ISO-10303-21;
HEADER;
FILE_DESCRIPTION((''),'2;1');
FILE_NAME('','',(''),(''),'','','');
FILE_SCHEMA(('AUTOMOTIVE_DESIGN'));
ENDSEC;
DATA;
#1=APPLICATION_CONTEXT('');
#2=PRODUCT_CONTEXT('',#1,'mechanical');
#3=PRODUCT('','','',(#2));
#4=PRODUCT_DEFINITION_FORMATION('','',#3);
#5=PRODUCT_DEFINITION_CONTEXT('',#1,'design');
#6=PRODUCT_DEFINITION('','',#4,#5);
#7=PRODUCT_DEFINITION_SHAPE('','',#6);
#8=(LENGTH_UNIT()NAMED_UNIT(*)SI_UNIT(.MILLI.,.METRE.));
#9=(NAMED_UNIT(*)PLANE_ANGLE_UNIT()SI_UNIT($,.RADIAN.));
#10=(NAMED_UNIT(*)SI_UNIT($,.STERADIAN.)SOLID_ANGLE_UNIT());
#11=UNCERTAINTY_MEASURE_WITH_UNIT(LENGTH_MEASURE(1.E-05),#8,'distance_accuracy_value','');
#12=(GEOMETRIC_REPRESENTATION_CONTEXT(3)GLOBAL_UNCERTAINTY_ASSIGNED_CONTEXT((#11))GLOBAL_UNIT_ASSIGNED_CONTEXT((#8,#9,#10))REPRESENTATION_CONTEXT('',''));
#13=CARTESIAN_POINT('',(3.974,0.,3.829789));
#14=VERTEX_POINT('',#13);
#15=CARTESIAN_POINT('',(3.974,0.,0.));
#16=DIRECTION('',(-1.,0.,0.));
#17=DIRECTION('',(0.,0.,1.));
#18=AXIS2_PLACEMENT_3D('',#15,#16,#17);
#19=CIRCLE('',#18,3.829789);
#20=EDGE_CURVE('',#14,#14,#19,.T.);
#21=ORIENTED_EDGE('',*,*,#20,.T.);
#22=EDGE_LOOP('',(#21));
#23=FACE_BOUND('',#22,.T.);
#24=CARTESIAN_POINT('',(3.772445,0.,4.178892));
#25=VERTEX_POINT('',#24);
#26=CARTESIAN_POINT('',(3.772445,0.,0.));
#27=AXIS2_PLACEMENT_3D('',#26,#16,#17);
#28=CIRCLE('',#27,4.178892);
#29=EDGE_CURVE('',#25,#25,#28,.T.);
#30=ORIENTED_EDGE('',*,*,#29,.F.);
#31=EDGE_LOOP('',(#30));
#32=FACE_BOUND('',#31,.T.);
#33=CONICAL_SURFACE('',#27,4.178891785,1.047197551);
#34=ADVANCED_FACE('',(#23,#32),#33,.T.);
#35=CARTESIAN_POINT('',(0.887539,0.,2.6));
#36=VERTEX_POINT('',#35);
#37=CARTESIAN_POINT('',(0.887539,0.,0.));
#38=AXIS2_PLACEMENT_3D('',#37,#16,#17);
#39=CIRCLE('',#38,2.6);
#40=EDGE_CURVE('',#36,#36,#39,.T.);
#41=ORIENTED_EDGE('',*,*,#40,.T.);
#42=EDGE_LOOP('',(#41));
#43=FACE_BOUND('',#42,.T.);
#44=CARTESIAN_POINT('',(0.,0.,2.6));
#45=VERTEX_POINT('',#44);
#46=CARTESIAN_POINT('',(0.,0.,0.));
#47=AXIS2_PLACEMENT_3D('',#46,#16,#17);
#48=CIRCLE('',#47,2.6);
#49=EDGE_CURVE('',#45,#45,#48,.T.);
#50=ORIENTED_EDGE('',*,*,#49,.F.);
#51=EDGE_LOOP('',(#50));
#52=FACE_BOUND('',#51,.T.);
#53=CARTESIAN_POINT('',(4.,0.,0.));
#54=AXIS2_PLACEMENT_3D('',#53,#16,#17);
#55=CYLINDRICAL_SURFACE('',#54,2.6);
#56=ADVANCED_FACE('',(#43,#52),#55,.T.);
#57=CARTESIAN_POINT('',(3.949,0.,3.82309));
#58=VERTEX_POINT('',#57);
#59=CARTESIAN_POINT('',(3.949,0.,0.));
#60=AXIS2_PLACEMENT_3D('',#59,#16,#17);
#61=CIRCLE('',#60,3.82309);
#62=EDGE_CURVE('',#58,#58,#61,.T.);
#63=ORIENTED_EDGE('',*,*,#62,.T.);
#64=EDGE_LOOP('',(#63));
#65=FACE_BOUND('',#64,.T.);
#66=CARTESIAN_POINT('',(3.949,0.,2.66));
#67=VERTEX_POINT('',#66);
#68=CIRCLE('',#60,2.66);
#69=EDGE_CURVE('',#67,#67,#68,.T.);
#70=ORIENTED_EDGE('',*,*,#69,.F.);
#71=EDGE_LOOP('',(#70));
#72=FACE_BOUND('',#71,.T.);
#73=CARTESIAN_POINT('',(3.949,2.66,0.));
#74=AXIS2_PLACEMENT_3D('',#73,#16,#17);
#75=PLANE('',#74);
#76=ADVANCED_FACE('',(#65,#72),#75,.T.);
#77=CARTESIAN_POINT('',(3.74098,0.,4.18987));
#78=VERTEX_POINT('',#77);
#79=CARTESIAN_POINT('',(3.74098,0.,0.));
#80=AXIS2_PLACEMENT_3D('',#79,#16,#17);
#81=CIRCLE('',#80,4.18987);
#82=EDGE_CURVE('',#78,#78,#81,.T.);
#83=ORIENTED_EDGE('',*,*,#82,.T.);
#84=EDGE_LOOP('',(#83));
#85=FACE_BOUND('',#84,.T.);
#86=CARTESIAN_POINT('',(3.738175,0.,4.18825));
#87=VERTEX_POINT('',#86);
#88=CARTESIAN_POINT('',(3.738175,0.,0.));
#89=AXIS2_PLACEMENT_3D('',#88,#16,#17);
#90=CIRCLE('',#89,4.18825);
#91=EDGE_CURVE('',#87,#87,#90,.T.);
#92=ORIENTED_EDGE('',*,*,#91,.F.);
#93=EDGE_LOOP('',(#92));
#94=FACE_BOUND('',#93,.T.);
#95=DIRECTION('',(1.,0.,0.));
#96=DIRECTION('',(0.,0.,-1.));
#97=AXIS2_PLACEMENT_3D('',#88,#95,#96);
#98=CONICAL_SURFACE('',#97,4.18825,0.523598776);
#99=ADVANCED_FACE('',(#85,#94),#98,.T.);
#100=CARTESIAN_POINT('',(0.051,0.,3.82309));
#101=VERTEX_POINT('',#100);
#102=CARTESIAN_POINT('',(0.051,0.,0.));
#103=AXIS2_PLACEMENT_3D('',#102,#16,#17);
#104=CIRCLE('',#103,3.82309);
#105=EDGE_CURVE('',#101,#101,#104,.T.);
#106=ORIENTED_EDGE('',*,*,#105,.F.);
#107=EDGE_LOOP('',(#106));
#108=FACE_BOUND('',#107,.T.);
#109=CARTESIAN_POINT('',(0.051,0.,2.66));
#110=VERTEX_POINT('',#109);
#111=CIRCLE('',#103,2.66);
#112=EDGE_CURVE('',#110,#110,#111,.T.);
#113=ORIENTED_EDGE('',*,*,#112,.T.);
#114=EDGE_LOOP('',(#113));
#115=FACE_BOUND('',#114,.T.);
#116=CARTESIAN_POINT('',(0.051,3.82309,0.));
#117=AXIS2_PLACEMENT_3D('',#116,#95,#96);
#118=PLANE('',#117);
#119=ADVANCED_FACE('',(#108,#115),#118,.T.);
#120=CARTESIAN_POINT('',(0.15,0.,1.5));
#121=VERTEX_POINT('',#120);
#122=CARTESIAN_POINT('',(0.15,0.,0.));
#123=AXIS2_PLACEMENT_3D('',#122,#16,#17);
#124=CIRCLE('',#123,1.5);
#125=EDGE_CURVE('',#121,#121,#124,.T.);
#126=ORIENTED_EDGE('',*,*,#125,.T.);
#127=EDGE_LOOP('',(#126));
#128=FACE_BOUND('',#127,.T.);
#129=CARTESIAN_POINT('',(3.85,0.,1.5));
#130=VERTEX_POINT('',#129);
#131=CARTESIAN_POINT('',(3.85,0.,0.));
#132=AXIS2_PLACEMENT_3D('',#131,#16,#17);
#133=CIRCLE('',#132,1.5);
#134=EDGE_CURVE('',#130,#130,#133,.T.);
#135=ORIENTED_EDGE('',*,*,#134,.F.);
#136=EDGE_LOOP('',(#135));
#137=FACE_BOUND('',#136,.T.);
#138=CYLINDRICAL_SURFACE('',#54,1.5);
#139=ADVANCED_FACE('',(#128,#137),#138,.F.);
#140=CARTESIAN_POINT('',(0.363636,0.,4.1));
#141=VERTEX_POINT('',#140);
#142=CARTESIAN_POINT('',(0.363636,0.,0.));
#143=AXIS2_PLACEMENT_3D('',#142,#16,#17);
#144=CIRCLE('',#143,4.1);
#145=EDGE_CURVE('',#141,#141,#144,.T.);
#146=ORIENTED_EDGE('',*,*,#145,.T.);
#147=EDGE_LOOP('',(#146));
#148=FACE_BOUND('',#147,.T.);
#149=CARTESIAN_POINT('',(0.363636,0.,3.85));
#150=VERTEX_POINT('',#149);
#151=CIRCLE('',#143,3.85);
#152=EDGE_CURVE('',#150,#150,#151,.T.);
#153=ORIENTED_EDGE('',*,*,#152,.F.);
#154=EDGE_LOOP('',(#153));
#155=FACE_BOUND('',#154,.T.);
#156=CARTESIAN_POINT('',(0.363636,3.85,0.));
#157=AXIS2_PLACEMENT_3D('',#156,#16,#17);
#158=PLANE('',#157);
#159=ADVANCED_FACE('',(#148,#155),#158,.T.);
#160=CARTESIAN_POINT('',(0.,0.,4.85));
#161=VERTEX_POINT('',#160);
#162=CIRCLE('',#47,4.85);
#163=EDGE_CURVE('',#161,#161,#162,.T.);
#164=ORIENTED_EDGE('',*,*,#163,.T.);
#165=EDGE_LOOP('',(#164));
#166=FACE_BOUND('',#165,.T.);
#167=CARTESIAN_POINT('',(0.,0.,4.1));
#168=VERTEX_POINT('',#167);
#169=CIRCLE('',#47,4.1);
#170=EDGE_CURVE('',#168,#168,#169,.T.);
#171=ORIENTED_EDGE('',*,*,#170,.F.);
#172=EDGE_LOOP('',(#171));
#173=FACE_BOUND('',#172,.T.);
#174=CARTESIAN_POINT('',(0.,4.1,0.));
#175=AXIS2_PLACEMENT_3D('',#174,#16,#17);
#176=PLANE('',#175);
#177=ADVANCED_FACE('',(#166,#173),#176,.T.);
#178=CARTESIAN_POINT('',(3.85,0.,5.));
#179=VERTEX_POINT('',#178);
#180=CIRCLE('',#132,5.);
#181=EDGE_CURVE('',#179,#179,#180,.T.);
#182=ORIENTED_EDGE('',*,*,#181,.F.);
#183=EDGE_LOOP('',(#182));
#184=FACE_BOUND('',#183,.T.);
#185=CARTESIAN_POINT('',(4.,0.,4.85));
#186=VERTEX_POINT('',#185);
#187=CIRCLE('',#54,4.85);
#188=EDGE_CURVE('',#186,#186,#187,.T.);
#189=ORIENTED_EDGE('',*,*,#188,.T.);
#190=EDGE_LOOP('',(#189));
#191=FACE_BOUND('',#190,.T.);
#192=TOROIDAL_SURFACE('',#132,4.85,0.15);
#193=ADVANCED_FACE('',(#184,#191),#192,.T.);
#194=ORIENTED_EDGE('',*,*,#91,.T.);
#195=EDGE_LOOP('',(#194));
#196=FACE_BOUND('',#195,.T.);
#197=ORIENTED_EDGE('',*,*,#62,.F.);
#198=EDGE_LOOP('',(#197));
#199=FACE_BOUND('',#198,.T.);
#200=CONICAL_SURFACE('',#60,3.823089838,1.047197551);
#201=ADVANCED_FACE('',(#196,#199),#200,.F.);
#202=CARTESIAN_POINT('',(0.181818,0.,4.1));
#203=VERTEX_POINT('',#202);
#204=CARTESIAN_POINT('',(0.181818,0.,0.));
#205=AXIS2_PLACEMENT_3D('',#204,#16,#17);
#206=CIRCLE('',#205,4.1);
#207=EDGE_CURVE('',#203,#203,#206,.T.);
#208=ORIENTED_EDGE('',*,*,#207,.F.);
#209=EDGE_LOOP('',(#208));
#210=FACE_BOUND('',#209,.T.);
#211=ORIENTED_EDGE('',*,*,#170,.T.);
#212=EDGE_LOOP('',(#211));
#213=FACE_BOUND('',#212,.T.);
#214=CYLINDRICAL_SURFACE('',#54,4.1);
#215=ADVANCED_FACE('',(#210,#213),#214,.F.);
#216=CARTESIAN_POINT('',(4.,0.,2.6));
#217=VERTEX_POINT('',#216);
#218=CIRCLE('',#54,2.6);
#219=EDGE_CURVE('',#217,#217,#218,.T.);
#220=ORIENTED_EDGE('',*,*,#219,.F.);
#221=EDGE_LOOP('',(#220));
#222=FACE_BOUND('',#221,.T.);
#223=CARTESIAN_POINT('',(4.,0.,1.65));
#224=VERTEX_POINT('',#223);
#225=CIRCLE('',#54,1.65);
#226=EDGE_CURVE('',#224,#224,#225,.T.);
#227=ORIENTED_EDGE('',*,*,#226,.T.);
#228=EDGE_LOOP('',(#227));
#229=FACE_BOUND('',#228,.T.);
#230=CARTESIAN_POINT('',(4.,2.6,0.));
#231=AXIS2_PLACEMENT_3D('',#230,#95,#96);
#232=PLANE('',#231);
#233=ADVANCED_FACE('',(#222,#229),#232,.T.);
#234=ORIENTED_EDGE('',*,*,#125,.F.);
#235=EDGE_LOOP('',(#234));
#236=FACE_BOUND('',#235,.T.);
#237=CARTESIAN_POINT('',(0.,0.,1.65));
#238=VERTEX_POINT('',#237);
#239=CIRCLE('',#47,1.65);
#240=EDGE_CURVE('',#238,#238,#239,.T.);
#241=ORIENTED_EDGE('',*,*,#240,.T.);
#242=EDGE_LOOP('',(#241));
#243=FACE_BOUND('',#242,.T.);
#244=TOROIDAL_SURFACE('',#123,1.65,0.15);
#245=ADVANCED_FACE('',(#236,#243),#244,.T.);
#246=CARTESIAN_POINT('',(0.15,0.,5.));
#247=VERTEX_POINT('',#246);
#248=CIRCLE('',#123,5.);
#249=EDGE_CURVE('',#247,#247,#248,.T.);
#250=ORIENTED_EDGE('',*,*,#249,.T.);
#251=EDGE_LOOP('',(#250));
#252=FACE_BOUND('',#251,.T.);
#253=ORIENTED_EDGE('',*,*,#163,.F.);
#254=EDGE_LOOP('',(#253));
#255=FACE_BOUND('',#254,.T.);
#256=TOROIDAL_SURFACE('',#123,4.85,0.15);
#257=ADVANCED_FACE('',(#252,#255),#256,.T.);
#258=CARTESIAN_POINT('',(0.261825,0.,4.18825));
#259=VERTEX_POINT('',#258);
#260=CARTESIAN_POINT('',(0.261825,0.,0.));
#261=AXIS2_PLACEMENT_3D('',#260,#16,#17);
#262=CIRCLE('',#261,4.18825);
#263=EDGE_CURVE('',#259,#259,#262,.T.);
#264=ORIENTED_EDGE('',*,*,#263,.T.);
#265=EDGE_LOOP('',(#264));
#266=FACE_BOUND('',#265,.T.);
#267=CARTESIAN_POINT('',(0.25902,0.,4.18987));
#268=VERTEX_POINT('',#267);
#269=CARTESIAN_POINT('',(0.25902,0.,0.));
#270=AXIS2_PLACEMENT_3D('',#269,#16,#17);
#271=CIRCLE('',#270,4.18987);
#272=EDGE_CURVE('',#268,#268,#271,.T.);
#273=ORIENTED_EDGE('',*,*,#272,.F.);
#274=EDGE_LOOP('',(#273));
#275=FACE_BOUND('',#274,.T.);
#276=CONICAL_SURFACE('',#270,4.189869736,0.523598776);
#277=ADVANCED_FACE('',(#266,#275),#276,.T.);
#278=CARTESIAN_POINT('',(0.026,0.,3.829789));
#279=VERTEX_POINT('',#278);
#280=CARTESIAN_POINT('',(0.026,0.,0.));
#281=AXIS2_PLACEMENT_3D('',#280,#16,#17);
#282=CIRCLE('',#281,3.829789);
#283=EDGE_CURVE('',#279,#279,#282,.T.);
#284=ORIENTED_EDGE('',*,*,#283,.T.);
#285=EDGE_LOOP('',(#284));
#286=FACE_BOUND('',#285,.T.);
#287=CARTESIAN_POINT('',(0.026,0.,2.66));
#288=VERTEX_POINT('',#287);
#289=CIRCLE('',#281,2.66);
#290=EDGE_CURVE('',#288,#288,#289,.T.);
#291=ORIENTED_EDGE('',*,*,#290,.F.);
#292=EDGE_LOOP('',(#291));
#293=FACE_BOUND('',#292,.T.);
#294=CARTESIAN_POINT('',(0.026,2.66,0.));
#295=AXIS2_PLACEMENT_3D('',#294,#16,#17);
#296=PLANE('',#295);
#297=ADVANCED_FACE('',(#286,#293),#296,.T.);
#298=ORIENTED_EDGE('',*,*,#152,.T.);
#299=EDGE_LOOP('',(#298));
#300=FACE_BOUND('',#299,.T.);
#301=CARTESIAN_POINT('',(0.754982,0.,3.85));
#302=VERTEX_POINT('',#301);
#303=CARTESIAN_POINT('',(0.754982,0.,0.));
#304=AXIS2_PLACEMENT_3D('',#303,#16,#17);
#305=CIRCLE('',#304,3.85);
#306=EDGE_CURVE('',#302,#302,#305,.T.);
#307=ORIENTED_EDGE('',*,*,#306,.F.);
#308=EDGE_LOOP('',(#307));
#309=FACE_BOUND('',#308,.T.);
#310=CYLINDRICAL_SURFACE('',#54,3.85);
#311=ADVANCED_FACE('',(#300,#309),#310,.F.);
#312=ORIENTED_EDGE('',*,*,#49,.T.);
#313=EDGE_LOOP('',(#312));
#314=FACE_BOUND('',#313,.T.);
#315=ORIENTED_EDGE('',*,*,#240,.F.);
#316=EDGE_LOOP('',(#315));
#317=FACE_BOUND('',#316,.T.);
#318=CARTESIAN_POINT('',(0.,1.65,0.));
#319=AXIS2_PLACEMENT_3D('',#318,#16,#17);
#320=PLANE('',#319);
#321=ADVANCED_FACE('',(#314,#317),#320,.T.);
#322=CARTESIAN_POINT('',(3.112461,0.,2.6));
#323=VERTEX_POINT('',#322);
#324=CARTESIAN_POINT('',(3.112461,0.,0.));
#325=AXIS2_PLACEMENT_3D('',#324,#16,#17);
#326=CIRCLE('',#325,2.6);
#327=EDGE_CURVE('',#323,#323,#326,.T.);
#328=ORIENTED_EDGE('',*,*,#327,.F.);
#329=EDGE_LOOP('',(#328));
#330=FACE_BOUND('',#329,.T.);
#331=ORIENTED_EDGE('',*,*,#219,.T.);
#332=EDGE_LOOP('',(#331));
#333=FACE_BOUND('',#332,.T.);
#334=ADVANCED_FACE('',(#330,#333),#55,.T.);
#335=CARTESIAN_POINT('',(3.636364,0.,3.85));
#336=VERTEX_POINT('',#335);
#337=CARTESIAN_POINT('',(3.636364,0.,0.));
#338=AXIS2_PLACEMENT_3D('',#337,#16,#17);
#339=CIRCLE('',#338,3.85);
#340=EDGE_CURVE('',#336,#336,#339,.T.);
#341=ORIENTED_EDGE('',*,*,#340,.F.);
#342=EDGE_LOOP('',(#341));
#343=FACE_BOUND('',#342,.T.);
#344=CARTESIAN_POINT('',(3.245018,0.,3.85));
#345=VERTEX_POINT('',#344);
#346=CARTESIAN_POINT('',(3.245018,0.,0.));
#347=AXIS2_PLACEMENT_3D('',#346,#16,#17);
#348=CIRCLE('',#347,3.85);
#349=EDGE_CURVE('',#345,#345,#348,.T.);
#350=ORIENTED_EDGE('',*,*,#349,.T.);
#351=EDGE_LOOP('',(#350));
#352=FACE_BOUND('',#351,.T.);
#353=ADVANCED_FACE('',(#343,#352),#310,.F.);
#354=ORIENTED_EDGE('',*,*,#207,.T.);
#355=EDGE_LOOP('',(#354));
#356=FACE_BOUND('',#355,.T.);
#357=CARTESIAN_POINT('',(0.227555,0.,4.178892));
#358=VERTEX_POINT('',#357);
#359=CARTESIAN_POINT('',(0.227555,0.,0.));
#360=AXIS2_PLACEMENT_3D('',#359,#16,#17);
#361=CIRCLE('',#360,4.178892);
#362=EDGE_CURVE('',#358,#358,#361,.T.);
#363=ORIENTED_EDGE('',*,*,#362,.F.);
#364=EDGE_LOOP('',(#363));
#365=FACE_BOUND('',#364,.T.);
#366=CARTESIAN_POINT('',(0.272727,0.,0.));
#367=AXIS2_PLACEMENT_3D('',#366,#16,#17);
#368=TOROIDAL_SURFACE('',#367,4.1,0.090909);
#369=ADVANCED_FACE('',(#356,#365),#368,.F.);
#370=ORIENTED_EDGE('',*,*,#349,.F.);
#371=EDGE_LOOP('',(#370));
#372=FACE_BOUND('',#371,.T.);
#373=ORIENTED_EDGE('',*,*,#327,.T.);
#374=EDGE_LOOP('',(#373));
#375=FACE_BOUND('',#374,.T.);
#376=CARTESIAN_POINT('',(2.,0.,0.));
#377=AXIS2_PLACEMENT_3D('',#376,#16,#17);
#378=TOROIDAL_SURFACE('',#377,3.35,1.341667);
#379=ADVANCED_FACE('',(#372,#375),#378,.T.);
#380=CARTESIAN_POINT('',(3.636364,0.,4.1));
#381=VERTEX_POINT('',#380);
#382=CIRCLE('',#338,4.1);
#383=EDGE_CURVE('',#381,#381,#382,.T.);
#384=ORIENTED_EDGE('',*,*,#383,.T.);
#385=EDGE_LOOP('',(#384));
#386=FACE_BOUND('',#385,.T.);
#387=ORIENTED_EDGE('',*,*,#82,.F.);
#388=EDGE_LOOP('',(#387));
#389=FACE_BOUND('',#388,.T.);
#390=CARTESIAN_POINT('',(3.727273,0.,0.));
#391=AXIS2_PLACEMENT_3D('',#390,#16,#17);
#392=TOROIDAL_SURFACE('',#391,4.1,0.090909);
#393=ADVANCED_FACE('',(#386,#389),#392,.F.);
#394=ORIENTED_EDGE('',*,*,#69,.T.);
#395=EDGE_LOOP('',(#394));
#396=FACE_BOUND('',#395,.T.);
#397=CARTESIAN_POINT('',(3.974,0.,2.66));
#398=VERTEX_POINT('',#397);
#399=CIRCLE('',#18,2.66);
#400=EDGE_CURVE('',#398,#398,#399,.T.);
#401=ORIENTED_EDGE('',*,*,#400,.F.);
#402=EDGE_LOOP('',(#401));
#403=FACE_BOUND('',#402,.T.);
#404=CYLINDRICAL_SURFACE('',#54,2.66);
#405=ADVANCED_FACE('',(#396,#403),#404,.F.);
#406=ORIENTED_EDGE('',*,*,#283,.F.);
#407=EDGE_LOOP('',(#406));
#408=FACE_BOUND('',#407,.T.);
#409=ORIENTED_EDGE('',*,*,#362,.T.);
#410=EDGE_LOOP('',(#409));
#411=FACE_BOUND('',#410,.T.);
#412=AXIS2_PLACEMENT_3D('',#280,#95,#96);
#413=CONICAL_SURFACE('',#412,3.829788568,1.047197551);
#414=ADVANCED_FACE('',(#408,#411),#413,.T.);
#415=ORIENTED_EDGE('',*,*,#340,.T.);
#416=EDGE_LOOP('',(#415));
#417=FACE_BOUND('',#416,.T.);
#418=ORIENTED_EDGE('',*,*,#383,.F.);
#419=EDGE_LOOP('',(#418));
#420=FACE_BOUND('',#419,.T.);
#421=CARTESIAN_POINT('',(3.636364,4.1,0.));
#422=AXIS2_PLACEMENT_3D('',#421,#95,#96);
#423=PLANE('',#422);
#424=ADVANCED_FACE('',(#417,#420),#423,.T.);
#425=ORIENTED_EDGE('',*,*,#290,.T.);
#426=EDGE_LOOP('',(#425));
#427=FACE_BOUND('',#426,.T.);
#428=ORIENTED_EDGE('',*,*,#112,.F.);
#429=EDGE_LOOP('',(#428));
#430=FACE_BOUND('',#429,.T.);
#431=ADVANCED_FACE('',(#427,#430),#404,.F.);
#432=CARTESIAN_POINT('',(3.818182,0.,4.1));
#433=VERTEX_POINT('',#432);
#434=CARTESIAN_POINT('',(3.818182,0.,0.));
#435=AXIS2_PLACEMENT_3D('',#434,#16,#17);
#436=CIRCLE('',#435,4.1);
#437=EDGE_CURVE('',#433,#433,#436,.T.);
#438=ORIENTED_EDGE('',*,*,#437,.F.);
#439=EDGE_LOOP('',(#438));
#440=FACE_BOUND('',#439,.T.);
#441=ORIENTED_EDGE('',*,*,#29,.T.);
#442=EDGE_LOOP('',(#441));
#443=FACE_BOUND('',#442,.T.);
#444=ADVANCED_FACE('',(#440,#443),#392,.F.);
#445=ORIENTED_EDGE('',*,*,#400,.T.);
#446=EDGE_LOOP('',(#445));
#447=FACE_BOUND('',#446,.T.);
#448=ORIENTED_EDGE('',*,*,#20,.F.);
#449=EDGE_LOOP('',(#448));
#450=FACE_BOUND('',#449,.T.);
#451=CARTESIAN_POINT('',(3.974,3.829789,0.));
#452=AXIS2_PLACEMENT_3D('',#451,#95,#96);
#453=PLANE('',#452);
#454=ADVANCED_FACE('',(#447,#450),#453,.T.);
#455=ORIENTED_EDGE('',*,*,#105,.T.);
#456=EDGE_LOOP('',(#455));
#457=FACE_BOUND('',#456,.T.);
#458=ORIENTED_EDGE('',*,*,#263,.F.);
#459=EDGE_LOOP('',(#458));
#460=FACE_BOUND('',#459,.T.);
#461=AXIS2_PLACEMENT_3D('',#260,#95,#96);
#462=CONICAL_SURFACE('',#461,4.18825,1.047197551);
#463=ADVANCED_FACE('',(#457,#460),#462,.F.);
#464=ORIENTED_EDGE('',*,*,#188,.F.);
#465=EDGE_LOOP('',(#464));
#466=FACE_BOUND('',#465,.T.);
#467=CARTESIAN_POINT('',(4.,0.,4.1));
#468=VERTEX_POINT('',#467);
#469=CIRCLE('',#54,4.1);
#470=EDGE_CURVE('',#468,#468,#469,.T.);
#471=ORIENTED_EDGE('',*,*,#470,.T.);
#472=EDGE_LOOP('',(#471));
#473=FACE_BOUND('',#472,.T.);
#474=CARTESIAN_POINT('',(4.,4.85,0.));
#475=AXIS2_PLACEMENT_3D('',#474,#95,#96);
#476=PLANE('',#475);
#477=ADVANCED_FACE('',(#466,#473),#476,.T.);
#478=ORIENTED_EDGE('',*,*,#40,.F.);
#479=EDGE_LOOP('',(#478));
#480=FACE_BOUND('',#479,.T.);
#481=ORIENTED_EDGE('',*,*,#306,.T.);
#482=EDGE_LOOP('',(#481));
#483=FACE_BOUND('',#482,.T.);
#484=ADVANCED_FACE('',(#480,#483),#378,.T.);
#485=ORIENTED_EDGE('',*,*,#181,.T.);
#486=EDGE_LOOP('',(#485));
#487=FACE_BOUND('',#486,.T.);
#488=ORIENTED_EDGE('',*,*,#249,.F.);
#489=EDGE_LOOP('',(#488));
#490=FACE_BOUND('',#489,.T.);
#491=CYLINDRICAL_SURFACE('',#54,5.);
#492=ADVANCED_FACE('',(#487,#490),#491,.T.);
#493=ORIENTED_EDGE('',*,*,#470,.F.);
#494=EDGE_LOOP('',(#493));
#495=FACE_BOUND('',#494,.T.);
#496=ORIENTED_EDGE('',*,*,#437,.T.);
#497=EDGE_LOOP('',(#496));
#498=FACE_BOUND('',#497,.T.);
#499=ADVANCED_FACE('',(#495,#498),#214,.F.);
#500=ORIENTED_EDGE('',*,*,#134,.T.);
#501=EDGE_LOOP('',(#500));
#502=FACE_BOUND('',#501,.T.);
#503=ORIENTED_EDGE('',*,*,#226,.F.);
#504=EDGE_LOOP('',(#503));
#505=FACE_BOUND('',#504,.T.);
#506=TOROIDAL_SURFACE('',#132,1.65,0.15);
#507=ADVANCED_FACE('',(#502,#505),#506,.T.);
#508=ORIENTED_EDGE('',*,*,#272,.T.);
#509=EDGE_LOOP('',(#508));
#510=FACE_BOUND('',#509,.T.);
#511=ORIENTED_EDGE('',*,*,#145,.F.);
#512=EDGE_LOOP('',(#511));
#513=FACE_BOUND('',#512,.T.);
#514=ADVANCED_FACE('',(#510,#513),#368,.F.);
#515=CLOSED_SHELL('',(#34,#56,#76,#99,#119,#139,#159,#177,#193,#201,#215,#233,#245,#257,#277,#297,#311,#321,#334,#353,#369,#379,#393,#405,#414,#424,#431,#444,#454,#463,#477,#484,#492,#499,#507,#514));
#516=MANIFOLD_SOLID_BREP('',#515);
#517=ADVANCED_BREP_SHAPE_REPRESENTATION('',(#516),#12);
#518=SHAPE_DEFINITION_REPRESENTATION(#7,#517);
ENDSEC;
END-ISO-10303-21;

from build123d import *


with BuildPart() as part:
    # Esquisse1 → Révolution1 (revolve)
    with BuildSketch(Plane(origin=(0, 0, 0), x_dir=(-1, 0, 0), z_dir=(0, 0, -1))):
        with BuildLine():
            Line((-4, 2.6), (-4, 1.65))
            ThreePointArc((-4, 1.65), (-3.956066017, 1.543933983), (-3.85, 1.5))
            Line((-3.85, 1.5), (-0.15, 1.5))
            ThreePointArc((-0.15, 1.5), (-0.043933983, 1.543933983), (0, 1.65))
            Line((0, 1.65), (0, 2.6))
            Line((0, 2.6), (-0.887539014, 2.6))
            ThreePointArc((-0.887539014, 2.6), (-0.665814251, 3.208515617), (-0.754982151, 3.85))
            Line((-0.754982151, 3.85), (-0.363636364, 3.85))
            Line((-0.363636364, 3.85), (-0.363636364, 4.1))
            ThreePointArc((-0.363636364, 4.1), (-0.331965494, 4.168958654), (-0.259019853, 4.189869736))
            Line((-0.259019853, 4.189869736), (-0.261825318, 4.18825))
            Line((-0.261825318, 4.18825), (-0.051, 3.823089838))
            Line((-0.051, 3.823089838), (-0.051, 2.66))
            Line((-0.051, 2.66), (-0.026, 2.66))
            Line((-0.026, 2.66), (-0.026, 3.829788568))
            Line((-0.026, 3.829788568), (-0.227554836, 4.178891785))
            ThreePointArc((-0.227554836, 4.178891785), (-0.194079171, 4.145595382), (-0.181818182, 4.1))
            Line((-0.181818182, 4.1), (0, 4.1))
            Line((0, 4.1), (0, 4.85))
            ThreePointArc((0, 4.85), (-0.043933983, 4.956066017), (-0.15, 5))
            Line((-0.15, 5), (-3.85, 5))
            ThreePointArc((-3.85, 5), (-3.956066017, 4.956066017), (-4, 4.85))
            Line((-4, 4.85), (-4, 4.1))
            Line((-4, 4.1), (-3.818181818, 4.1))
            ThreePointArc((-3.818181818, 4.1), (-3.805920829, 4.145595382), (-3.772445164, 4.178891785))
            Line((-3.772445164, 4.178891785), (-3.974, 3.829788568))
            Line((-3.974, 3.829788568), (-3.974, 2.66))
            Line((-3.974, 2.66), (-3.949, 2.66))
            Line((-3.949, 2.66), (-3.949, 3.823089838))
            Line((-3.949, 3.823089838), (-3.738174682, 4.18825))
            Line((-3.738174682, 4.18825), (-3.740980147, 4.189869736))
            ThreePointArc((-3.740980147, 4.189869736), (-3.668034506, 4.168958654), (-3.636363636, 4.1))
            Line((-3.636363636, 4.1), (-3.636363636, 3.85))
            Line((-3.636363636, 3.85), (-3.245017849, 3.85))
            ThreePointArc((-3.245017849, 3.85), (-3.334185749, 3.208515617), (-3.112460986, 2.6))
            Line((-3.112460986, 2.6), (-4, 2.6))
        make_face()
    revolve(axis=Axis((4, 0, 0), (-1, 0, 0)))


solid = part.part
